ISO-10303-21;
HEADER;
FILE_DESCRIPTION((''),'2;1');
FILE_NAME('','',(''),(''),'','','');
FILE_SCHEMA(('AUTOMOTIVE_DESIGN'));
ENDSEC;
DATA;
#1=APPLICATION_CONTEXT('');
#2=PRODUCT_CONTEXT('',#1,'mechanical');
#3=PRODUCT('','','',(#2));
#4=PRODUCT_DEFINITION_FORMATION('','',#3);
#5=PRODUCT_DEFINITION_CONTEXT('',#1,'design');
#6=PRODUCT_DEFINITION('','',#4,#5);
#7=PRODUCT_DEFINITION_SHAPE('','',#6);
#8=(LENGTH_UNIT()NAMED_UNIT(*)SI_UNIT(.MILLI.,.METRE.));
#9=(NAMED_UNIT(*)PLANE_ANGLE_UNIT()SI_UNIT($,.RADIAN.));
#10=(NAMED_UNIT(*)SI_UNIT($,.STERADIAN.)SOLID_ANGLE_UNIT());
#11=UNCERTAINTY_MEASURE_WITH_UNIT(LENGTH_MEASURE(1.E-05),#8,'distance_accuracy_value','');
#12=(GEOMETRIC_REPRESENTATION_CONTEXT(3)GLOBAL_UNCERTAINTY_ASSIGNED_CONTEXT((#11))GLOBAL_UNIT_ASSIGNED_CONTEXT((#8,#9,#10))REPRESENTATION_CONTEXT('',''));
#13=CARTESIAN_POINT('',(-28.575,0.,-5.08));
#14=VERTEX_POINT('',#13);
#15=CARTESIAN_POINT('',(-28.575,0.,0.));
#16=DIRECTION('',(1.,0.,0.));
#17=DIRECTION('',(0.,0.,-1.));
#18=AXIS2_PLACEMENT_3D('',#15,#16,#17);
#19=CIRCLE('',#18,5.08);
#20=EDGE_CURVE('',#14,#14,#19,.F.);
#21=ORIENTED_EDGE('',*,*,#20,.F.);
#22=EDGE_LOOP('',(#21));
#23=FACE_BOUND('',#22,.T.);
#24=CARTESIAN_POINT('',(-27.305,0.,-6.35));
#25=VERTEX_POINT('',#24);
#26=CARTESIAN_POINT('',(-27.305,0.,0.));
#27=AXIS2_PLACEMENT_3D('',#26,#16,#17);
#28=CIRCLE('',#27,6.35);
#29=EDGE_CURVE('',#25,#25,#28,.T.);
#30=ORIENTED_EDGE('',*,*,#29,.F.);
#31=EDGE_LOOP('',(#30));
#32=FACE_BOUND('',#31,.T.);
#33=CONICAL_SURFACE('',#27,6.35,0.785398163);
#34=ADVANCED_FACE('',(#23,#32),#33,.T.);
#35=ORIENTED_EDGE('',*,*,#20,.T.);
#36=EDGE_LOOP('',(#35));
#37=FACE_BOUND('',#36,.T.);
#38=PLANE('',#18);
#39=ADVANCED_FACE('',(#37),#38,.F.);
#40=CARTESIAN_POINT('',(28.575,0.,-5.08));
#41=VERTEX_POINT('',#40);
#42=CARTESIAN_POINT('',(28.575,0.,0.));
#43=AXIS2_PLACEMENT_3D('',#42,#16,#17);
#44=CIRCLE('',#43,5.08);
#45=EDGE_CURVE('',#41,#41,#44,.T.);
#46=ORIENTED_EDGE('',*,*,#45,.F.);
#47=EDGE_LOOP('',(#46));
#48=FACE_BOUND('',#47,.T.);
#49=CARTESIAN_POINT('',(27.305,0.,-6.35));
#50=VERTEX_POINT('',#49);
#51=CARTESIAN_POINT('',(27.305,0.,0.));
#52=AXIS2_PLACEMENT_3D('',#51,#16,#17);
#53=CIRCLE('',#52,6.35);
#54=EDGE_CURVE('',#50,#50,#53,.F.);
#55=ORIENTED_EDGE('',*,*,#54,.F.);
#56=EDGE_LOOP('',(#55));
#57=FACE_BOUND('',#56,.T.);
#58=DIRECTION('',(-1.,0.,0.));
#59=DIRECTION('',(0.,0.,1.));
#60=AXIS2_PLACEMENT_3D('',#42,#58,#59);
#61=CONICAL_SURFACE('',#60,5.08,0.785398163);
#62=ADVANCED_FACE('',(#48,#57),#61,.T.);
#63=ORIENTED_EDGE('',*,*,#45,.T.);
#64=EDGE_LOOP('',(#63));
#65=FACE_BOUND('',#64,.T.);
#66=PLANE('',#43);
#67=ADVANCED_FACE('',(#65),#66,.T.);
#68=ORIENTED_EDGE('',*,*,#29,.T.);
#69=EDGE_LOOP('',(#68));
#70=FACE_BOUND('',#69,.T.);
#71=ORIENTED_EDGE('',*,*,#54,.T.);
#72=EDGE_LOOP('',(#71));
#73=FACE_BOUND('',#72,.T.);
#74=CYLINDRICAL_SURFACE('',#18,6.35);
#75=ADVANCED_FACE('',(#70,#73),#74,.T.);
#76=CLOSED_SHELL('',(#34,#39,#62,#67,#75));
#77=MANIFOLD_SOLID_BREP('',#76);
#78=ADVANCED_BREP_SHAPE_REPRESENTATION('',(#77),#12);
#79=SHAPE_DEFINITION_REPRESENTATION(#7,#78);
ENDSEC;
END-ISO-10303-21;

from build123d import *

# Parameters (mm, degrees)
SKETCH2_R           = 6.35
EXTRUDE1_DEPTH      = 28.575
EXTRUDE1_DEPTH_BACK = 28.575
CHAMFER1_SIZE       = 1.27


with BuildPart() as part:
    # Sketch2 → Extrude1 (new body, two sides)
    with BuildSketch(Plane(origin=(0, 0, 0), x_dir=(0, 0, -1), z_dir=(1, 0, 0))) as extrude1_sk:
        Circle(SKETCH2_R)
    extrude(amount=EXTRUDE1_DEPTH)
    extrude(extrude1_sk.sketch, amount=-EXTRUDE1_DEPTH_BACK)

    # Chamfer1
    chamfer1_edges = [part.edges().sort_by_distance(p)[0] for p in [
        (-28.575, 0, 6.35),
        (28.575, 0, 6.35),
    ]]
    chamfer(chamfer1_edges, length=CHAMFER1_SIZE)


solid = part.part
